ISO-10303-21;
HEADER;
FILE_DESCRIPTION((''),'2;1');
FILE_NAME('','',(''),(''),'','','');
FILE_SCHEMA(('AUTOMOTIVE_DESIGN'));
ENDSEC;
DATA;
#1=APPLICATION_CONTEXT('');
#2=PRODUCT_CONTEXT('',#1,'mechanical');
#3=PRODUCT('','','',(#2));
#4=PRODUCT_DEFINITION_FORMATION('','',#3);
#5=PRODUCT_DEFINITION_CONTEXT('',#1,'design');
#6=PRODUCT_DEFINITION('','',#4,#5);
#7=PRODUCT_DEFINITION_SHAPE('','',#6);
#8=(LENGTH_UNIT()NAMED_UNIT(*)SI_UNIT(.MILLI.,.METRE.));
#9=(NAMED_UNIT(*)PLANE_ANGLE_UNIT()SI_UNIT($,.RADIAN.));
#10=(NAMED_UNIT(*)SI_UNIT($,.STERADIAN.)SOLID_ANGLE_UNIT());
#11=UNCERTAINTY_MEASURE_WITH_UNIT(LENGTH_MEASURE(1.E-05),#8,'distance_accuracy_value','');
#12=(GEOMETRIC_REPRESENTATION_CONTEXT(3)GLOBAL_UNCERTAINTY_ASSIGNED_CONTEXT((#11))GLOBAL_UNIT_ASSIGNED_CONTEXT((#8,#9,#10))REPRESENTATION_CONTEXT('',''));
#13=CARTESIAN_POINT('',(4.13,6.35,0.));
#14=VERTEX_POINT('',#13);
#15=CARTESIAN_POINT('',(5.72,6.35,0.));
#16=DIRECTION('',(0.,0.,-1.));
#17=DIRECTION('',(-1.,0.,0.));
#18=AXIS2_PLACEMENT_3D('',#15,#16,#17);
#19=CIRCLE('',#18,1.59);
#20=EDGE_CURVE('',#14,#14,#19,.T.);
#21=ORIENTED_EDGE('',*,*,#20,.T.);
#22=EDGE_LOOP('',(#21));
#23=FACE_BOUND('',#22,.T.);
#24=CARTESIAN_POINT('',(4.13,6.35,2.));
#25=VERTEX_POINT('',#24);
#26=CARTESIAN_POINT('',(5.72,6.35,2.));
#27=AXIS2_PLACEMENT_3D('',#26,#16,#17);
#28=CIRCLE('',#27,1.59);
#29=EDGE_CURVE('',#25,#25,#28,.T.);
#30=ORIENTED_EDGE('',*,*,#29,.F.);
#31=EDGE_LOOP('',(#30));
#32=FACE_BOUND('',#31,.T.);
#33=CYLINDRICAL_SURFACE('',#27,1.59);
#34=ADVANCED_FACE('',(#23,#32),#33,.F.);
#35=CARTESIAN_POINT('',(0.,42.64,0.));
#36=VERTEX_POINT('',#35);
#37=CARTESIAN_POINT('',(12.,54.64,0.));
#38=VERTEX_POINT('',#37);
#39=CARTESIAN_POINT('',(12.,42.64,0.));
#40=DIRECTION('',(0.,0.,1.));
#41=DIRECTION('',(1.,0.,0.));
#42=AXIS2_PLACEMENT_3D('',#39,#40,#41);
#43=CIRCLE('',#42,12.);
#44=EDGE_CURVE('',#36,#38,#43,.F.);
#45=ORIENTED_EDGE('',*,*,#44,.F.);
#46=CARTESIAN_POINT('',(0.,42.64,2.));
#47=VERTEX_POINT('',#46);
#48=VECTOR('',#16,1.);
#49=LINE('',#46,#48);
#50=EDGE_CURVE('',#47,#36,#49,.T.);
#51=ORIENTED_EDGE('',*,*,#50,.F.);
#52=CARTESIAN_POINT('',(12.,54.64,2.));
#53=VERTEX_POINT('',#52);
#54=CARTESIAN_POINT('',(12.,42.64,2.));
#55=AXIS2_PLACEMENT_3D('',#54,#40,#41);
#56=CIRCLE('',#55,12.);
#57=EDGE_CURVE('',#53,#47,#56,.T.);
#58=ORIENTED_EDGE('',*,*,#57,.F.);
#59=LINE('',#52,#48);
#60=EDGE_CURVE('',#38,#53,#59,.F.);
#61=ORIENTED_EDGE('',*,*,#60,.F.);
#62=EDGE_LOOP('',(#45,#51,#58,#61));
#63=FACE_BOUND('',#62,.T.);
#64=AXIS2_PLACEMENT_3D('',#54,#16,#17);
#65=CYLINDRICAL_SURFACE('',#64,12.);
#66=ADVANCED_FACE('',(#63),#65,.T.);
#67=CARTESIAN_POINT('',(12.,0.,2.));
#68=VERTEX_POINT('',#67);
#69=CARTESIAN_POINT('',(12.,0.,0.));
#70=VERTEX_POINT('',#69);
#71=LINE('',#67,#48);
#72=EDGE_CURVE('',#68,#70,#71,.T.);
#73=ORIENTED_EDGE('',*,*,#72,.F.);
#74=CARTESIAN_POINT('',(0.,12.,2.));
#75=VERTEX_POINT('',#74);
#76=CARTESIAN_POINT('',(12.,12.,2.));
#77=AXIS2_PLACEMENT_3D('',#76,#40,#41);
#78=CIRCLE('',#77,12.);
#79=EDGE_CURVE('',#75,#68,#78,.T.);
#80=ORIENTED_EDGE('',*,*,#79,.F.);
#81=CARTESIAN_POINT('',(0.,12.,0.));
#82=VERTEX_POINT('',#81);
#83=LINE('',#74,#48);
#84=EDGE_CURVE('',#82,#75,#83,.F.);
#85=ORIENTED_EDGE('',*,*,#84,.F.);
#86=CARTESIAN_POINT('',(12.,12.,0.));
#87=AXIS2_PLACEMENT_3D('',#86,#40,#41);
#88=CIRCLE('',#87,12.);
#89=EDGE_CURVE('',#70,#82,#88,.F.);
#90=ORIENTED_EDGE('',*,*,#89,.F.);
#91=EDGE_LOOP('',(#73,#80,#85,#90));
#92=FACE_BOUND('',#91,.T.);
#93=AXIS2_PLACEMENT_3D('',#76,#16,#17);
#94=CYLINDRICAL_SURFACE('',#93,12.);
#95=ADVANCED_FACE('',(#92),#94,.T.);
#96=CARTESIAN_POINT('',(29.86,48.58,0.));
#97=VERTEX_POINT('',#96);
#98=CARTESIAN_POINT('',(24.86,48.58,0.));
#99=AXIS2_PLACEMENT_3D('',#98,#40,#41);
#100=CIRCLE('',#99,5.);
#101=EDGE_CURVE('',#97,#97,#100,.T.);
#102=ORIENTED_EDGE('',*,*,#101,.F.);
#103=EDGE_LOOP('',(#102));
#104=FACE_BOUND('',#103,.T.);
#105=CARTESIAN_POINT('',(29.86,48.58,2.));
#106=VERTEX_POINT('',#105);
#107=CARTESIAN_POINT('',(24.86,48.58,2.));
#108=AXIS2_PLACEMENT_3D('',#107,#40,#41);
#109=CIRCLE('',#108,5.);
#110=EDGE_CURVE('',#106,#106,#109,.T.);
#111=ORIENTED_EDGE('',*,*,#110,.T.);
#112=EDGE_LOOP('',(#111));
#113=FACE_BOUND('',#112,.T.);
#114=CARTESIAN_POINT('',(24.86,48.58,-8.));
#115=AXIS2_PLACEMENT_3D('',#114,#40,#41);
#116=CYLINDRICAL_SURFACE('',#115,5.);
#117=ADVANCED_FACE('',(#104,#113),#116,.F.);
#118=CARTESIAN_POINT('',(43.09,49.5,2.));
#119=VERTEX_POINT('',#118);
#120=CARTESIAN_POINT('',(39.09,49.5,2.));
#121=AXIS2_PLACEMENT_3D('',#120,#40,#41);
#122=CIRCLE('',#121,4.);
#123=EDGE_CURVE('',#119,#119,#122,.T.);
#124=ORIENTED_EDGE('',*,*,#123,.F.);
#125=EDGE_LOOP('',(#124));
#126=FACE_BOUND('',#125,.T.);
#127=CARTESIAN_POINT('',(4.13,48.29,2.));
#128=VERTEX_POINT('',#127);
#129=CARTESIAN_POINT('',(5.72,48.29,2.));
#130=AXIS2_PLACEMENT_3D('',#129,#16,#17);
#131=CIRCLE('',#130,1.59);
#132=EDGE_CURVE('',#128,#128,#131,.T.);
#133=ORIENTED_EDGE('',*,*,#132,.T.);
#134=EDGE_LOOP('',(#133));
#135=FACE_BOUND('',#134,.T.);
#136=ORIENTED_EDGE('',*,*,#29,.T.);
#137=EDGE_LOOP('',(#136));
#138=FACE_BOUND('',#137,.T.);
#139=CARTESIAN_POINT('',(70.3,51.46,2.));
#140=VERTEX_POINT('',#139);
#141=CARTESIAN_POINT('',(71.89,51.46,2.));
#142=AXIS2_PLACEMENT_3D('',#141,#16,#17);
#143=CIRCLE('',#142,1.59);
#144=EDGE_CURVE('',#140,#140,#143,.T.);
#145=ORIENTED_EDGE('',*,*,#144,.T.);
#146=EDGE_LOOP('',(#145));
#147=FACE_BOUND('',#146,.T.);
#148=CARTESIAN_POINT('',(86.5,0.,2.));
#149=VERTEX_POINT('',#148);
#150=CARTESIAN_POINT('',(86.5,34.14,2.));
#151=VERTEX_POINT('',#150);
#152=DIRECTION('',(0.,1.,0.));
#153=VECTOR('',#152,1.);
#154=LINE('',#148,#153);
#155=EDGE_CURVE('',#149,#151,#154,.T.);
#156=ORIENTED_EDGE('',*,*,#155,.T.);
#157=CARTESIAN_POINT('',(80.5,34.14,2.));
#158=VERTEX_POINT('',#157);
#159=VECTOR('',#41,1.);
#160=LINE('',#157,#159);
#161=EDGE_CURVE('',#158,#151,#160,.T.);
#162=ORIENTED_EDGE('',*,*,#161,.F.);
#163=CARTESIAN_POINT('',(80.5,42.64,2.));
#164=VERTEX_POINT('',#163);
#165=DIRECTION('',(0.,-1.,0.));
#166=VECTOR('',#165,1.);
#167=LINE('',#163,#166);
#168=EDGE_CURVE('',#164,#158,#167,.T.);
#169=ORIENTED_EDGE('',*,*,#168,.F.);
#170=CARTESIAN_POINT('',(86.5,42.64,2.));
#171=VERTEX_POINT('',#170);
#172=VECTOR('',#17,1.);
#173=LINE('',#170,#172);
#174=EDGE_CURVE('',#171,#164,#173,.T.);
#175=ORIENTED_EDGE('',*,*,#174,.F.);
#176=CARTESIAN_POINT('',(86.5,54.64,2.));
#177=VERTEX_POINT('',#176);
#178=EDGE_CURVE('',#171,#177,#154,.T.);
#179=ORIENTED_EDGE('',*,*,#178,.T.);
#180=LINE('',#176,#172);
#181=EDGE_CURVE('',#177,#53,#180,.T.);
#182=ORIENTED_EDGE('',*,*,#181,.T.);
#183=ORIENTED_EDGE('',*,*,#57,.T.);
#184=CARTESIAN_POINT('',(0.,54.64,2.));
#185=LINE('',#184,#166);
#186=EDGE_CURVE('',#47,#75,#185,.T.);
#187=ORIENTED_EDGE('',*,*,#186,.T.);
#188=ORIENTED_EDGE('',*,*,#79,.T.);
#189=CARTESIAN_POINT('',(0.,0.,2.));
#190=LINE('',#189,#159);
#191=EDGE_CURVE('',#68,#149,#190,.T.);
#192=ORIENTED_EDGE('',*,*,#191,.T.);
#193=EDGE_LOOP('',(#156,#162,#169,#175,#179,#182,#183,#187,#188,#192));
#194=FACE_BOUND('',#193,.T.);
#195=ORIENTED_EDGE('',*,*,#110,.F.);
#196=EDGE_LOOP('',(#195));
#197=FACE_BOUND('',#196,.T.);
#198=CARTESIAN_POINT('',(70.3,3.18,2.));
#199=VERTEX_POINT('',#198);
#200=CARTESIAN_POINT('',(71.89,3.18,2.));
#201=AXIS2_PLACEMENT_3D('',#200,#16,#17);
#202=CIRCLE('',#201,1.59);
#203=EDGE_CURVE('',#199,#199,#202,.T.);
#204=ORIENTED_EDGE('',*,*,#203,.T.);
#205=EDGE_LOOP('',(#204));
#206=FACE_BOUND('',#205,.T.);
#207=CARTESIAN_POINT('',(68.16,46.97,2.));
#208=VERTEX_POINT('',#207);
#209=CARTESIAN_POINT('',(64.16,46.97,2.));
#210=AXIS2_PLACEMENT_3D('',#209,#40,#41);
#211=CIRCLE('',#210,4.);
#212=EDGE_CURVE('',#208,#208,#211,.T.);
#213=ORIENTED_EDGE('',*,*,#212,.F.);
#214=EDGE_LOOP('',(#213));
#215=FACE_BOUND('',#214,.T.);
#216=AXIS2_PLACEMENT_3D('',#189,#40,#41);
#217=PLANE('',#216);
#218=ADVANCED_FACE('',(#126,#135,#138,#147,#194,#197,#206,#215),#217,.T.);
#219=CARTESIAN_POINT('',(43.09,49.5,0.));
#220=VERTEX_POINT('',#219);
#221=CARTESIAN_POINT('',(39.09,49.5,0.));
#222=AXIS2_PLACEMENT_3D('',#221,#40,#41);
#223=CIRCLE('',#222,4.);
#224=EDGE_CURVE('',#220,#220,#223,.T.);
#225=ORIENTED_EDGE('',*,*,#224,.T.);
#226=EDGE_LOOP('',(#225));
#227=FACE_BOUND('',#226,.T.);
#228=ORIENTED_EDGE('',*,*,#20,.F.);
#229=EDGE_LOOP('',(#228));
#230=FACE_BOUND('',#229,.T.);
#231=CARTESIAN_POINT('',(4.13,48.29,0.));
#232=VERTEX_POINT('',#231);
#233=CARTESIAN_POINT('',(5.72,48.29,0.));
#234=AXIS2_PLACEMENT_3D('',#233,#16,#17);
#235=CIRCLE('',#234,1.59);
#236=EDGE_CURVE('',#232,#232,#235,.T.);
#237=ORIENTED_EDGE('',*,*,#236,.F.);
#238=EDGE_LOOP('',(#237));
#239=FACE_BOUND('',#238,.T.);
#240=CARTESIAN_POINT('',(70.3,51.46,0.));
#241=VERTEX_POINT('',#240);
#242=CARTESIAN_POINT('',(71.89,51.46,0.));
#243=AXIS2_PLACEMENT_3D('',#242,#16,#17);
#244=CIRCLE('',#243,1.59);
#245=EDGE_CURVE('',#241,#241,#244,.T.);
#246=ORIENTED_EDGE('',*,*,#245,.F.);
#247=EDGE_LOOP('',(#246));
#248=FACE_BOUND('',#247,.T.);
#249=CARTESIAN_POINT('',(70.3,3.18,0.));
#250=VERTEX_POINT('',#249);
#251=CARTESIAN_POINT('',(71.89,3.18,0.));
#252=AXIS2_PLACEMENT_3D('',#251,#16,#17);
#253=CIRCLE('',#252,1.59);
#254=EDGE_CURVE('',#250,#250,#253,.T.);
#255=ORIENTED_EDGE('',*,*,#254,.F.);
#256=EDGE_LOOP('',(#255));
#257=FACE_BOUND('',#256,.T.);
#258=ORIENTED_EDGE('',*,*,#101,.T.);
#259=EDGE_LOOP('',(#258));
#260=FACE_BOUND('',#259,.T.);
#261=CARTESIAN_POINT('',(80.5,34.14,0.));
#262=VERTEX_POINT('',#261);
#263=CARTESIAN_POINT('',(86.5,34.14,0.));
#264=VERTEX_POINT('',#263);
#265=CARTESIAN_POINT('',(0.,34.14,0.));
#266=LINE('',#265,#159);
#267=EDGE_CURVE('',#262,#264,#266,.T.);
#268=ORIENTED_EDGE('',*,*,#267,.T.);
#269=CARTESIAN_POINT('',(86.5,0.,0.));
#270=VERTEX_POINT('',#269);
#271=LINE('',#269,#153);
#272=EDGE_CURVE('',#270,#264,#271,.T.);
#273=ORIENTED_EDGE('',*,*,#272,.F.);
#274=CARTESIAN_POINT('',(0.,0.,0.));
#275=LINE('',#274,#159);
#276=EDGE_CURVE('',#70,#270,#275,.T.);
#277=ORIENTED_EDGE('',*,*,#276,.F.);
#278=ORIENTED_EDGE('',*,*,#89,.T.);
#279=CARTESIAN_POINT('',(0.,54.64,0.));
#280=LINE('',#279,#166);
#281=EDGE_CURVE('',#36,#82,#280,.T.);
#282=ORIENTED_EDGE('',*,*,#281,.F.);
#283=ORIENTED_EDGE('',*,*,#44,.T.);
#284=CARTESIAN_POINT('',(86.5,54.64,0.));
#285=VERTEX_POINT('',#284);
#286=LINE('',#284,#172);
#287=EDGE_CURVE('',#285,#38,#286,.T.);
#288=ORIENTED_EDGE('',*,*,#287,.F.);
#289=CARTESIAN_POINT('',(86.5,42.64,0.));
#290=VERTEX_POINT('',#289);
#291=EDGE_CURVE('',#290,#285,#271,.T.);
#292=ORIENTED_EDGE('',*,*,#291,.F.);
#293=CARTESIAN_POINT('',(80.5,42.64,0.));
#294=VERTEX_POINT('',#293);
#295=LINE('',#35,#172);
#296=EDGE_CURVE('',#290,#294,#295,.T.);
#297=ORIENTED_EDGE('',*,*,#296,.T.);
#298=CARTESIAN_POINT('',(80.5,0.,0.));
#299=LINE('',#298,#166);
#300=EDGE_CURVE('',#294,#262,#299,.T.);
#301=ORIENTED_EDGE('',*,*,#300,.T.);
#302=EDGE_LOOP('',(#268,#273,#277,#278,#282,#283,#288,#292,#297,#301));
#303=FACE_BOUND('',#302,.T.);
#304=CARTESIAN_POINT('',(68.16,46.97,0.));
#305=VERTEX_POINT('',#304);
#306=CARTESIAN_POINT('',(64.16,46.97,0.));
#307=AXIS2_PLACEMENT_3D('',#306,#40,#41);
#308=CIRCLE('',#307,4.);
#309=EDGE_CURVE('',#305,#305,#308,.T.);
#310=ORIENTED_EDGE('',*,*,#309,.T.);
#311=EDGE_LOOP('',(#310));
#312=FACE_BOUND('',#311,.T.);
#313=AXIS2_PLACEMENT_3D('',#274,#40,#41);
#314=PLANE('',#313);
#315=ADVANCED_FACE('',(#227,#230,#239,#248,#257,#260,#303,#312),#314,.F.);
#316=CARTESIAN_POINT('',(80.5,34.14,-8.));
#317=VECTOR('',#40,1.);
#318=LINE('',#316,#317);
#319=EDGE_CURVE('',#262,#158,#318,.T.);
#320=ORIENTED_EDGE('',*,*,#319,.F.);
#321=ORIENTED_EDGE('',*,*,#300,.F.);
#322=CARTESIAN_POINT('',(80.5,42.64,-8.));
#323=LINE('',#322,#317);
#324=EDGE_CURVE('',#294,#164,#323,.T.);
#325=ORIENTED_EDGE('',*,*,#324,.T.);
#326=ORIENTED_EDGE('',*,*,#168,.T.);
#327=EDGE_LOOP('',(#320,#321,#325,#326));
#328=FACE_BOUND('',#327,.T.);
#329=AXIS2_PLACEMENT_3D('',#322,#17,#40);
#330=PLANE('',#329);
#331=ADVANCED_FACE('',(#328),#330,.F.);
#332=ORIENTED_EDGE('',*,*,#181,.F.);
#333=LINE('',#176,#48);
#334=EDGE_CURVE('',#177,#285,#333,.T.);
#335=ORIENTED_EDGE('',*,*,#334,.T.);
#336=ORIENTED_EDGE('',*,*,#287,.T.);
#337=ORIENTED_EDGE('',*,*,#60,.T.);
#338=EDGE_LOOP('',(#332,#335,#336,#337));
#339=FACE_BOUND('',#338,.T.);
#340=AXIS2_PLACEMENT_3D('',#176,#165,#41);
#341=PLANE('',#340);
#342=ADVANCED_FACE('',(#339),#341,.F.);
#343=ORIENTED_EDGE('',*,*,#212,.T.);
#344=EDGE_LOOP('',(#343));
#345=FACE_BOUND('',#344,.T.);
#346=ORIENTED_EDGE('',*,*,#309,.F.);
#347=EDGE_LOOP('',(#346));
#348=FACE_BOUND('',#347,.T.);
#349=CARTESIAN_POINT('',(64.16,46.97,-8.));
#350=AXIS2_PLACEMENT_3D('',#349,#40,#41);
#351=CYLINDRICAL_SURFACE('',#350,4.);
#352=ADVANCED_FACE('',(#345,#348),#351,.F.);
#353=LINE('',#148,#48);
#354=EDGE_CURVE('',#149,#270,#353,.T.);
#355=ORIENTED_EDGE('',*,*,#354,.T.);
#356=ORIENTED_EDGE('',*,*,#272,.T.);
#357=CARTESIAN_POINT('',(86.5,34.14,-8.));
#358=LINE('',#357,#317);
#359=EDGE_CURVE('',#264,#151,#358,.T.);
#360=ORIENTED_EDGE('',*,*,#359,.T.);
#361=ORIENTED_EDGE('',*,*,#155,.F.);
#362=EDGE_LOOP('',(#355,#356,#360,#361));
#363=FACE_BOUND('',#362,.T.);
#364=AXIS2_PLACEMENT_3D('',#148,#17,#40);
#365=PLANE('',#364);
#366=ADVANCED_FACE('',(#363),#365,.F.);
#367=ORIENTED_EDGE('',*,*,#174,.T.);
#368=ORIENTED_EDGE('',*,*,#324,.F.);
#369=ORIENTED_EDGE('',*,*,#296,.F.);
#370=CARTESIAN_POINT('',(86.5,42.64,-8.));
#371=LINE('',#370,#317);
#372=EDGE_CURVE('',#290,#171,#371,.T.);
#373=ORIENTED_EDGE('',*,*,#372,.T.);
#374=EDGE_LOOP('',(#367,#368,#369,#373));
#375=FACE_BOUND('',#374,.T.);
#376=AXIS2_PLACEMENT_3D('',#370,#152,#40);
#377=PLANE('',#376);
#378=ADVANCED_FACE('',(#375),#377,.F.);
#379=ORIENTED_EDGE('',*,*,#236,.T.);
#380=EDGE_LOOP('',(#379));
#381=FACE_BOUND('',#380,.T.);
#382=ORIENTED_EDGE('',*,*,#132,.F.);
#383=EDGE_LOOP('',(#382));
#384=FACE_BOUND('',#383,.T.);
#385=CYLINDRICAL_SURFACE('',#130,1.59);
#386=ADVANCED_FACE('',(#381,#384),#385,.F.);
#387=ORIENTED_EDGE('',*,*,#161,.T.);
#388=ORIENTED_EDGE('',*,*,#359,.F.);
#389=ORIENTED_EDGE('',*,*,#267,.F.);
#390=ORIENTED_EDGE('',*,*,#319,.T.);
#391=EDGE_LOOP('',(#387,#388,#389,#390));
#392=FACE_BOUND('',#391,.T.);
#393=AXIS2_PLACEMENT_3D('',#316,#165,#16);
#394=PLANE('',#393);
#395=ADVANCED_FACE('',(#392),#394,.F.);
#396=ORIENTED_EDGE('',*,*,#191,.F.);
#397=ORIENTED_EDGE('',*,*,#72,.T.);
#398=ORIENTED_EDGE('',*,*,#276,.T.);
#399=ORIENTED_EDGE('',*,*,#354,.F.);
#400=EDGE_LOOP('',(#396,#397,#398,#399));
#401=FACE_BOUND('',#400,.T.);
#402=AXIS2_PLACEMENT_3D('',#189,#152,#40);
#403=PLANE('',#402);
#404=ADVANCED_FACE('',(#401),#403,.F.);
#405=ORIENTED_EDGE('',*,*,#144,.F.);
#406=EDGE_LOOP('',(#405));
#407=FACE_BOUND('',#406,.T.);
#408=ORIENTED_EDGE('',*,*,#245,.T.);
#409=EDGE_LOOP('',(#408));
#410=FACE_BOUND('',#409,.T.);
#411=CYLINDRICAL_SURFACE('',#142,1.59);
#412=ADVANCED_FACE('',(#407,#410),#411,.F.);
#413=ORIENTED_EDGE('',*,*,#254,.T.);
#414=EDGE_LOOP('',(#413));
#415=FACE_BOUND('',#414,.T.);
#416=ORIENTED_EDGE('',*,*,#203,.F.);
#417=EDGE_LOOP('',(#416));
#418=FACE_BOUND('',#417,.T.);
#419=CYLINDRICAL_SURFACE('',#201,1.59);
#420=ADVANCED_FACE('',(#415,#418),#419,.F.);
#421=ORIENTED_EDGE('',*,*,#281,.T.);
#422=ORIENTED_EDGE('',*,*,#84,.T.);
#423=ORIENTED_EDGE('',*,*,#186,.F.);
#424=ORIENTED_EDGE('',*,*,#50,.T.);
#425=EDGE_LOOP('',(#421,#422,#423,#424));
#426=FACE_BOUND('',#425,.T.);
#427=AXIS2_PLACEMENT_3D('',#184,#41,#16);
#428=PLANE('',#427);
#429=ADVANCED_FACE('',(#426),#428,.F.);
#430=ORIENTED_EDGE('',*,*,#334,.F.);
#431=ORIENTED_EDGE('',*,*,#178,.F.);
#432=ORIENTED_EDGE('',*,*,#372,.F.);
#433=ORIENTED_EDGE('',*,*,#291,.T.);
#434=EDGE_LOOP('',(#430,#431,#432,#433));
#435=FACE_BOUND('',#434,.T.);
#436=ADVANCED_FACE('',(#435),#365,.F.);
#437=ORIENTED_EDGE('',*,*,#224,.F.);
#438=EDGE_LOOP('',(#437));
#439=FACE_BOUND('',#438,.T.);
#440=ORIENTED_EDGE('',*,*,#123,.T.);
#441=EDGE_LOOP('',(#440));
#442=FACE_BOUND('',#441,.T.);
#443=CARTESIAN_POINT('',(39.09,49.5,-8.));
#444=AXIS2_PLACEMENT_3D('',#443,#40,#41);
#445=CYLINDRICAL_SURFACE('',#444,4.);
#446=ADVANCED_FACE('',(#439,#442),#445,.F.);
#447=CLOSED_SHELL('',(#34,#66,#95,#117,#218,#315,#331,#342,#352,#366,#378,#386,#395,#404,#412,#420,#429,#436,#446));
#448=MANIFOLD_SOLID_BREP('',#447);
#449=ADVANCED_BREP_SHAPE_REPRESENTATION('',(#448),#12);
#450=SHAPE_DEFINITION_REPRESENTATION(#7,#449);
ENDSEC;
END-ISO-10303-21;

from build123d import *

# Parameters (mm, degrees)
ESBO_O1_W                = 86.5
ESBO_O1_H                = 54.64
RESSALTO_EXTRUS_O2_DEPTH = 2
ESBO_O3_R                = 1.59
CORTE_EXTRUS_O1_DEPTH    = 2
FILETE1_R                = 12
FILETE2_R                = 12
ESBO_O4_R                = 5
ESBO_O4_R_2              = 4
ESBO_O4_W                = 6
ESBO_O4_H                = 8.5
CORTE_EXTRUS_O2_DEPTH    = 10


with BuildPart() as part:
    # Esboço1 → Ressalto-extrusão2 (new body)
    with BuildSketch(Plane.XY):
        with Locations((43.25, 27.32)):
            Rectangle(ESBO_O1_W, ESBO_O1_H)
    extrude(amount=RESSALTO_EXTRUS_O2_DEPTH)

    # Esboço3 → Corte-extrusão1 (cut)
    with BuildSketch(Plane(origin=(0, 0, 0), x_dir=(-1, 0, 0), z_dir=(0, 0, -1))):
        with Locations((-71.89, 51.46)):
            Circle(ESBO_O3_R)
        with Locations((-71.89, 3.18)):
            Circle(ESBO_O3_R)
        with Locations((-5.72, 6.35)):
            Circle(ESBO_O3_R)
        with Locations((-5.72, 48.29)):
            Circle(ESBO_O3_R)
    extrude(amount=-CORTE_EXTRUS_O1_DEPTH, mode=Mode.SUBTRACT)

    # Filete1
    filete1_edges = [part.edges().sort_by_distance(p)[0] for p in [
        (0, 54.64, 1),
    ]]
    fillet(filete1_edges, radius=FILETE1_R)

    # Filete2
    filete2_edges = [part.edges().sort_by_distance(p)[0] for p in [
        (0, 0, 1),
    ]]
    fillet(filete2_edges, radius=FILETE2_R)

    # Esboço4 → Corte-extrusão2 (cut)
    with BuildSketch(Plane.XY.offset(2)):
        with Locations((24.86, 48.58)):
            Circle(ESBO_O4_R)
        with Locations((39.09, 49.5)):
            Circle(ESBO_O4_R_2)
        with Locations((64.16, 46.97)):
            Circle(ESBO_O4_R_2)
        with Locations((83.5, 38.39)):
            Rectangle(ESBO_O4_W, ESBO_O4_H)
    extrude(amount=-CORTE_EXTRUS_O2_DEPTH, mode=Mode.SUBTRACT)


solid = part.part
